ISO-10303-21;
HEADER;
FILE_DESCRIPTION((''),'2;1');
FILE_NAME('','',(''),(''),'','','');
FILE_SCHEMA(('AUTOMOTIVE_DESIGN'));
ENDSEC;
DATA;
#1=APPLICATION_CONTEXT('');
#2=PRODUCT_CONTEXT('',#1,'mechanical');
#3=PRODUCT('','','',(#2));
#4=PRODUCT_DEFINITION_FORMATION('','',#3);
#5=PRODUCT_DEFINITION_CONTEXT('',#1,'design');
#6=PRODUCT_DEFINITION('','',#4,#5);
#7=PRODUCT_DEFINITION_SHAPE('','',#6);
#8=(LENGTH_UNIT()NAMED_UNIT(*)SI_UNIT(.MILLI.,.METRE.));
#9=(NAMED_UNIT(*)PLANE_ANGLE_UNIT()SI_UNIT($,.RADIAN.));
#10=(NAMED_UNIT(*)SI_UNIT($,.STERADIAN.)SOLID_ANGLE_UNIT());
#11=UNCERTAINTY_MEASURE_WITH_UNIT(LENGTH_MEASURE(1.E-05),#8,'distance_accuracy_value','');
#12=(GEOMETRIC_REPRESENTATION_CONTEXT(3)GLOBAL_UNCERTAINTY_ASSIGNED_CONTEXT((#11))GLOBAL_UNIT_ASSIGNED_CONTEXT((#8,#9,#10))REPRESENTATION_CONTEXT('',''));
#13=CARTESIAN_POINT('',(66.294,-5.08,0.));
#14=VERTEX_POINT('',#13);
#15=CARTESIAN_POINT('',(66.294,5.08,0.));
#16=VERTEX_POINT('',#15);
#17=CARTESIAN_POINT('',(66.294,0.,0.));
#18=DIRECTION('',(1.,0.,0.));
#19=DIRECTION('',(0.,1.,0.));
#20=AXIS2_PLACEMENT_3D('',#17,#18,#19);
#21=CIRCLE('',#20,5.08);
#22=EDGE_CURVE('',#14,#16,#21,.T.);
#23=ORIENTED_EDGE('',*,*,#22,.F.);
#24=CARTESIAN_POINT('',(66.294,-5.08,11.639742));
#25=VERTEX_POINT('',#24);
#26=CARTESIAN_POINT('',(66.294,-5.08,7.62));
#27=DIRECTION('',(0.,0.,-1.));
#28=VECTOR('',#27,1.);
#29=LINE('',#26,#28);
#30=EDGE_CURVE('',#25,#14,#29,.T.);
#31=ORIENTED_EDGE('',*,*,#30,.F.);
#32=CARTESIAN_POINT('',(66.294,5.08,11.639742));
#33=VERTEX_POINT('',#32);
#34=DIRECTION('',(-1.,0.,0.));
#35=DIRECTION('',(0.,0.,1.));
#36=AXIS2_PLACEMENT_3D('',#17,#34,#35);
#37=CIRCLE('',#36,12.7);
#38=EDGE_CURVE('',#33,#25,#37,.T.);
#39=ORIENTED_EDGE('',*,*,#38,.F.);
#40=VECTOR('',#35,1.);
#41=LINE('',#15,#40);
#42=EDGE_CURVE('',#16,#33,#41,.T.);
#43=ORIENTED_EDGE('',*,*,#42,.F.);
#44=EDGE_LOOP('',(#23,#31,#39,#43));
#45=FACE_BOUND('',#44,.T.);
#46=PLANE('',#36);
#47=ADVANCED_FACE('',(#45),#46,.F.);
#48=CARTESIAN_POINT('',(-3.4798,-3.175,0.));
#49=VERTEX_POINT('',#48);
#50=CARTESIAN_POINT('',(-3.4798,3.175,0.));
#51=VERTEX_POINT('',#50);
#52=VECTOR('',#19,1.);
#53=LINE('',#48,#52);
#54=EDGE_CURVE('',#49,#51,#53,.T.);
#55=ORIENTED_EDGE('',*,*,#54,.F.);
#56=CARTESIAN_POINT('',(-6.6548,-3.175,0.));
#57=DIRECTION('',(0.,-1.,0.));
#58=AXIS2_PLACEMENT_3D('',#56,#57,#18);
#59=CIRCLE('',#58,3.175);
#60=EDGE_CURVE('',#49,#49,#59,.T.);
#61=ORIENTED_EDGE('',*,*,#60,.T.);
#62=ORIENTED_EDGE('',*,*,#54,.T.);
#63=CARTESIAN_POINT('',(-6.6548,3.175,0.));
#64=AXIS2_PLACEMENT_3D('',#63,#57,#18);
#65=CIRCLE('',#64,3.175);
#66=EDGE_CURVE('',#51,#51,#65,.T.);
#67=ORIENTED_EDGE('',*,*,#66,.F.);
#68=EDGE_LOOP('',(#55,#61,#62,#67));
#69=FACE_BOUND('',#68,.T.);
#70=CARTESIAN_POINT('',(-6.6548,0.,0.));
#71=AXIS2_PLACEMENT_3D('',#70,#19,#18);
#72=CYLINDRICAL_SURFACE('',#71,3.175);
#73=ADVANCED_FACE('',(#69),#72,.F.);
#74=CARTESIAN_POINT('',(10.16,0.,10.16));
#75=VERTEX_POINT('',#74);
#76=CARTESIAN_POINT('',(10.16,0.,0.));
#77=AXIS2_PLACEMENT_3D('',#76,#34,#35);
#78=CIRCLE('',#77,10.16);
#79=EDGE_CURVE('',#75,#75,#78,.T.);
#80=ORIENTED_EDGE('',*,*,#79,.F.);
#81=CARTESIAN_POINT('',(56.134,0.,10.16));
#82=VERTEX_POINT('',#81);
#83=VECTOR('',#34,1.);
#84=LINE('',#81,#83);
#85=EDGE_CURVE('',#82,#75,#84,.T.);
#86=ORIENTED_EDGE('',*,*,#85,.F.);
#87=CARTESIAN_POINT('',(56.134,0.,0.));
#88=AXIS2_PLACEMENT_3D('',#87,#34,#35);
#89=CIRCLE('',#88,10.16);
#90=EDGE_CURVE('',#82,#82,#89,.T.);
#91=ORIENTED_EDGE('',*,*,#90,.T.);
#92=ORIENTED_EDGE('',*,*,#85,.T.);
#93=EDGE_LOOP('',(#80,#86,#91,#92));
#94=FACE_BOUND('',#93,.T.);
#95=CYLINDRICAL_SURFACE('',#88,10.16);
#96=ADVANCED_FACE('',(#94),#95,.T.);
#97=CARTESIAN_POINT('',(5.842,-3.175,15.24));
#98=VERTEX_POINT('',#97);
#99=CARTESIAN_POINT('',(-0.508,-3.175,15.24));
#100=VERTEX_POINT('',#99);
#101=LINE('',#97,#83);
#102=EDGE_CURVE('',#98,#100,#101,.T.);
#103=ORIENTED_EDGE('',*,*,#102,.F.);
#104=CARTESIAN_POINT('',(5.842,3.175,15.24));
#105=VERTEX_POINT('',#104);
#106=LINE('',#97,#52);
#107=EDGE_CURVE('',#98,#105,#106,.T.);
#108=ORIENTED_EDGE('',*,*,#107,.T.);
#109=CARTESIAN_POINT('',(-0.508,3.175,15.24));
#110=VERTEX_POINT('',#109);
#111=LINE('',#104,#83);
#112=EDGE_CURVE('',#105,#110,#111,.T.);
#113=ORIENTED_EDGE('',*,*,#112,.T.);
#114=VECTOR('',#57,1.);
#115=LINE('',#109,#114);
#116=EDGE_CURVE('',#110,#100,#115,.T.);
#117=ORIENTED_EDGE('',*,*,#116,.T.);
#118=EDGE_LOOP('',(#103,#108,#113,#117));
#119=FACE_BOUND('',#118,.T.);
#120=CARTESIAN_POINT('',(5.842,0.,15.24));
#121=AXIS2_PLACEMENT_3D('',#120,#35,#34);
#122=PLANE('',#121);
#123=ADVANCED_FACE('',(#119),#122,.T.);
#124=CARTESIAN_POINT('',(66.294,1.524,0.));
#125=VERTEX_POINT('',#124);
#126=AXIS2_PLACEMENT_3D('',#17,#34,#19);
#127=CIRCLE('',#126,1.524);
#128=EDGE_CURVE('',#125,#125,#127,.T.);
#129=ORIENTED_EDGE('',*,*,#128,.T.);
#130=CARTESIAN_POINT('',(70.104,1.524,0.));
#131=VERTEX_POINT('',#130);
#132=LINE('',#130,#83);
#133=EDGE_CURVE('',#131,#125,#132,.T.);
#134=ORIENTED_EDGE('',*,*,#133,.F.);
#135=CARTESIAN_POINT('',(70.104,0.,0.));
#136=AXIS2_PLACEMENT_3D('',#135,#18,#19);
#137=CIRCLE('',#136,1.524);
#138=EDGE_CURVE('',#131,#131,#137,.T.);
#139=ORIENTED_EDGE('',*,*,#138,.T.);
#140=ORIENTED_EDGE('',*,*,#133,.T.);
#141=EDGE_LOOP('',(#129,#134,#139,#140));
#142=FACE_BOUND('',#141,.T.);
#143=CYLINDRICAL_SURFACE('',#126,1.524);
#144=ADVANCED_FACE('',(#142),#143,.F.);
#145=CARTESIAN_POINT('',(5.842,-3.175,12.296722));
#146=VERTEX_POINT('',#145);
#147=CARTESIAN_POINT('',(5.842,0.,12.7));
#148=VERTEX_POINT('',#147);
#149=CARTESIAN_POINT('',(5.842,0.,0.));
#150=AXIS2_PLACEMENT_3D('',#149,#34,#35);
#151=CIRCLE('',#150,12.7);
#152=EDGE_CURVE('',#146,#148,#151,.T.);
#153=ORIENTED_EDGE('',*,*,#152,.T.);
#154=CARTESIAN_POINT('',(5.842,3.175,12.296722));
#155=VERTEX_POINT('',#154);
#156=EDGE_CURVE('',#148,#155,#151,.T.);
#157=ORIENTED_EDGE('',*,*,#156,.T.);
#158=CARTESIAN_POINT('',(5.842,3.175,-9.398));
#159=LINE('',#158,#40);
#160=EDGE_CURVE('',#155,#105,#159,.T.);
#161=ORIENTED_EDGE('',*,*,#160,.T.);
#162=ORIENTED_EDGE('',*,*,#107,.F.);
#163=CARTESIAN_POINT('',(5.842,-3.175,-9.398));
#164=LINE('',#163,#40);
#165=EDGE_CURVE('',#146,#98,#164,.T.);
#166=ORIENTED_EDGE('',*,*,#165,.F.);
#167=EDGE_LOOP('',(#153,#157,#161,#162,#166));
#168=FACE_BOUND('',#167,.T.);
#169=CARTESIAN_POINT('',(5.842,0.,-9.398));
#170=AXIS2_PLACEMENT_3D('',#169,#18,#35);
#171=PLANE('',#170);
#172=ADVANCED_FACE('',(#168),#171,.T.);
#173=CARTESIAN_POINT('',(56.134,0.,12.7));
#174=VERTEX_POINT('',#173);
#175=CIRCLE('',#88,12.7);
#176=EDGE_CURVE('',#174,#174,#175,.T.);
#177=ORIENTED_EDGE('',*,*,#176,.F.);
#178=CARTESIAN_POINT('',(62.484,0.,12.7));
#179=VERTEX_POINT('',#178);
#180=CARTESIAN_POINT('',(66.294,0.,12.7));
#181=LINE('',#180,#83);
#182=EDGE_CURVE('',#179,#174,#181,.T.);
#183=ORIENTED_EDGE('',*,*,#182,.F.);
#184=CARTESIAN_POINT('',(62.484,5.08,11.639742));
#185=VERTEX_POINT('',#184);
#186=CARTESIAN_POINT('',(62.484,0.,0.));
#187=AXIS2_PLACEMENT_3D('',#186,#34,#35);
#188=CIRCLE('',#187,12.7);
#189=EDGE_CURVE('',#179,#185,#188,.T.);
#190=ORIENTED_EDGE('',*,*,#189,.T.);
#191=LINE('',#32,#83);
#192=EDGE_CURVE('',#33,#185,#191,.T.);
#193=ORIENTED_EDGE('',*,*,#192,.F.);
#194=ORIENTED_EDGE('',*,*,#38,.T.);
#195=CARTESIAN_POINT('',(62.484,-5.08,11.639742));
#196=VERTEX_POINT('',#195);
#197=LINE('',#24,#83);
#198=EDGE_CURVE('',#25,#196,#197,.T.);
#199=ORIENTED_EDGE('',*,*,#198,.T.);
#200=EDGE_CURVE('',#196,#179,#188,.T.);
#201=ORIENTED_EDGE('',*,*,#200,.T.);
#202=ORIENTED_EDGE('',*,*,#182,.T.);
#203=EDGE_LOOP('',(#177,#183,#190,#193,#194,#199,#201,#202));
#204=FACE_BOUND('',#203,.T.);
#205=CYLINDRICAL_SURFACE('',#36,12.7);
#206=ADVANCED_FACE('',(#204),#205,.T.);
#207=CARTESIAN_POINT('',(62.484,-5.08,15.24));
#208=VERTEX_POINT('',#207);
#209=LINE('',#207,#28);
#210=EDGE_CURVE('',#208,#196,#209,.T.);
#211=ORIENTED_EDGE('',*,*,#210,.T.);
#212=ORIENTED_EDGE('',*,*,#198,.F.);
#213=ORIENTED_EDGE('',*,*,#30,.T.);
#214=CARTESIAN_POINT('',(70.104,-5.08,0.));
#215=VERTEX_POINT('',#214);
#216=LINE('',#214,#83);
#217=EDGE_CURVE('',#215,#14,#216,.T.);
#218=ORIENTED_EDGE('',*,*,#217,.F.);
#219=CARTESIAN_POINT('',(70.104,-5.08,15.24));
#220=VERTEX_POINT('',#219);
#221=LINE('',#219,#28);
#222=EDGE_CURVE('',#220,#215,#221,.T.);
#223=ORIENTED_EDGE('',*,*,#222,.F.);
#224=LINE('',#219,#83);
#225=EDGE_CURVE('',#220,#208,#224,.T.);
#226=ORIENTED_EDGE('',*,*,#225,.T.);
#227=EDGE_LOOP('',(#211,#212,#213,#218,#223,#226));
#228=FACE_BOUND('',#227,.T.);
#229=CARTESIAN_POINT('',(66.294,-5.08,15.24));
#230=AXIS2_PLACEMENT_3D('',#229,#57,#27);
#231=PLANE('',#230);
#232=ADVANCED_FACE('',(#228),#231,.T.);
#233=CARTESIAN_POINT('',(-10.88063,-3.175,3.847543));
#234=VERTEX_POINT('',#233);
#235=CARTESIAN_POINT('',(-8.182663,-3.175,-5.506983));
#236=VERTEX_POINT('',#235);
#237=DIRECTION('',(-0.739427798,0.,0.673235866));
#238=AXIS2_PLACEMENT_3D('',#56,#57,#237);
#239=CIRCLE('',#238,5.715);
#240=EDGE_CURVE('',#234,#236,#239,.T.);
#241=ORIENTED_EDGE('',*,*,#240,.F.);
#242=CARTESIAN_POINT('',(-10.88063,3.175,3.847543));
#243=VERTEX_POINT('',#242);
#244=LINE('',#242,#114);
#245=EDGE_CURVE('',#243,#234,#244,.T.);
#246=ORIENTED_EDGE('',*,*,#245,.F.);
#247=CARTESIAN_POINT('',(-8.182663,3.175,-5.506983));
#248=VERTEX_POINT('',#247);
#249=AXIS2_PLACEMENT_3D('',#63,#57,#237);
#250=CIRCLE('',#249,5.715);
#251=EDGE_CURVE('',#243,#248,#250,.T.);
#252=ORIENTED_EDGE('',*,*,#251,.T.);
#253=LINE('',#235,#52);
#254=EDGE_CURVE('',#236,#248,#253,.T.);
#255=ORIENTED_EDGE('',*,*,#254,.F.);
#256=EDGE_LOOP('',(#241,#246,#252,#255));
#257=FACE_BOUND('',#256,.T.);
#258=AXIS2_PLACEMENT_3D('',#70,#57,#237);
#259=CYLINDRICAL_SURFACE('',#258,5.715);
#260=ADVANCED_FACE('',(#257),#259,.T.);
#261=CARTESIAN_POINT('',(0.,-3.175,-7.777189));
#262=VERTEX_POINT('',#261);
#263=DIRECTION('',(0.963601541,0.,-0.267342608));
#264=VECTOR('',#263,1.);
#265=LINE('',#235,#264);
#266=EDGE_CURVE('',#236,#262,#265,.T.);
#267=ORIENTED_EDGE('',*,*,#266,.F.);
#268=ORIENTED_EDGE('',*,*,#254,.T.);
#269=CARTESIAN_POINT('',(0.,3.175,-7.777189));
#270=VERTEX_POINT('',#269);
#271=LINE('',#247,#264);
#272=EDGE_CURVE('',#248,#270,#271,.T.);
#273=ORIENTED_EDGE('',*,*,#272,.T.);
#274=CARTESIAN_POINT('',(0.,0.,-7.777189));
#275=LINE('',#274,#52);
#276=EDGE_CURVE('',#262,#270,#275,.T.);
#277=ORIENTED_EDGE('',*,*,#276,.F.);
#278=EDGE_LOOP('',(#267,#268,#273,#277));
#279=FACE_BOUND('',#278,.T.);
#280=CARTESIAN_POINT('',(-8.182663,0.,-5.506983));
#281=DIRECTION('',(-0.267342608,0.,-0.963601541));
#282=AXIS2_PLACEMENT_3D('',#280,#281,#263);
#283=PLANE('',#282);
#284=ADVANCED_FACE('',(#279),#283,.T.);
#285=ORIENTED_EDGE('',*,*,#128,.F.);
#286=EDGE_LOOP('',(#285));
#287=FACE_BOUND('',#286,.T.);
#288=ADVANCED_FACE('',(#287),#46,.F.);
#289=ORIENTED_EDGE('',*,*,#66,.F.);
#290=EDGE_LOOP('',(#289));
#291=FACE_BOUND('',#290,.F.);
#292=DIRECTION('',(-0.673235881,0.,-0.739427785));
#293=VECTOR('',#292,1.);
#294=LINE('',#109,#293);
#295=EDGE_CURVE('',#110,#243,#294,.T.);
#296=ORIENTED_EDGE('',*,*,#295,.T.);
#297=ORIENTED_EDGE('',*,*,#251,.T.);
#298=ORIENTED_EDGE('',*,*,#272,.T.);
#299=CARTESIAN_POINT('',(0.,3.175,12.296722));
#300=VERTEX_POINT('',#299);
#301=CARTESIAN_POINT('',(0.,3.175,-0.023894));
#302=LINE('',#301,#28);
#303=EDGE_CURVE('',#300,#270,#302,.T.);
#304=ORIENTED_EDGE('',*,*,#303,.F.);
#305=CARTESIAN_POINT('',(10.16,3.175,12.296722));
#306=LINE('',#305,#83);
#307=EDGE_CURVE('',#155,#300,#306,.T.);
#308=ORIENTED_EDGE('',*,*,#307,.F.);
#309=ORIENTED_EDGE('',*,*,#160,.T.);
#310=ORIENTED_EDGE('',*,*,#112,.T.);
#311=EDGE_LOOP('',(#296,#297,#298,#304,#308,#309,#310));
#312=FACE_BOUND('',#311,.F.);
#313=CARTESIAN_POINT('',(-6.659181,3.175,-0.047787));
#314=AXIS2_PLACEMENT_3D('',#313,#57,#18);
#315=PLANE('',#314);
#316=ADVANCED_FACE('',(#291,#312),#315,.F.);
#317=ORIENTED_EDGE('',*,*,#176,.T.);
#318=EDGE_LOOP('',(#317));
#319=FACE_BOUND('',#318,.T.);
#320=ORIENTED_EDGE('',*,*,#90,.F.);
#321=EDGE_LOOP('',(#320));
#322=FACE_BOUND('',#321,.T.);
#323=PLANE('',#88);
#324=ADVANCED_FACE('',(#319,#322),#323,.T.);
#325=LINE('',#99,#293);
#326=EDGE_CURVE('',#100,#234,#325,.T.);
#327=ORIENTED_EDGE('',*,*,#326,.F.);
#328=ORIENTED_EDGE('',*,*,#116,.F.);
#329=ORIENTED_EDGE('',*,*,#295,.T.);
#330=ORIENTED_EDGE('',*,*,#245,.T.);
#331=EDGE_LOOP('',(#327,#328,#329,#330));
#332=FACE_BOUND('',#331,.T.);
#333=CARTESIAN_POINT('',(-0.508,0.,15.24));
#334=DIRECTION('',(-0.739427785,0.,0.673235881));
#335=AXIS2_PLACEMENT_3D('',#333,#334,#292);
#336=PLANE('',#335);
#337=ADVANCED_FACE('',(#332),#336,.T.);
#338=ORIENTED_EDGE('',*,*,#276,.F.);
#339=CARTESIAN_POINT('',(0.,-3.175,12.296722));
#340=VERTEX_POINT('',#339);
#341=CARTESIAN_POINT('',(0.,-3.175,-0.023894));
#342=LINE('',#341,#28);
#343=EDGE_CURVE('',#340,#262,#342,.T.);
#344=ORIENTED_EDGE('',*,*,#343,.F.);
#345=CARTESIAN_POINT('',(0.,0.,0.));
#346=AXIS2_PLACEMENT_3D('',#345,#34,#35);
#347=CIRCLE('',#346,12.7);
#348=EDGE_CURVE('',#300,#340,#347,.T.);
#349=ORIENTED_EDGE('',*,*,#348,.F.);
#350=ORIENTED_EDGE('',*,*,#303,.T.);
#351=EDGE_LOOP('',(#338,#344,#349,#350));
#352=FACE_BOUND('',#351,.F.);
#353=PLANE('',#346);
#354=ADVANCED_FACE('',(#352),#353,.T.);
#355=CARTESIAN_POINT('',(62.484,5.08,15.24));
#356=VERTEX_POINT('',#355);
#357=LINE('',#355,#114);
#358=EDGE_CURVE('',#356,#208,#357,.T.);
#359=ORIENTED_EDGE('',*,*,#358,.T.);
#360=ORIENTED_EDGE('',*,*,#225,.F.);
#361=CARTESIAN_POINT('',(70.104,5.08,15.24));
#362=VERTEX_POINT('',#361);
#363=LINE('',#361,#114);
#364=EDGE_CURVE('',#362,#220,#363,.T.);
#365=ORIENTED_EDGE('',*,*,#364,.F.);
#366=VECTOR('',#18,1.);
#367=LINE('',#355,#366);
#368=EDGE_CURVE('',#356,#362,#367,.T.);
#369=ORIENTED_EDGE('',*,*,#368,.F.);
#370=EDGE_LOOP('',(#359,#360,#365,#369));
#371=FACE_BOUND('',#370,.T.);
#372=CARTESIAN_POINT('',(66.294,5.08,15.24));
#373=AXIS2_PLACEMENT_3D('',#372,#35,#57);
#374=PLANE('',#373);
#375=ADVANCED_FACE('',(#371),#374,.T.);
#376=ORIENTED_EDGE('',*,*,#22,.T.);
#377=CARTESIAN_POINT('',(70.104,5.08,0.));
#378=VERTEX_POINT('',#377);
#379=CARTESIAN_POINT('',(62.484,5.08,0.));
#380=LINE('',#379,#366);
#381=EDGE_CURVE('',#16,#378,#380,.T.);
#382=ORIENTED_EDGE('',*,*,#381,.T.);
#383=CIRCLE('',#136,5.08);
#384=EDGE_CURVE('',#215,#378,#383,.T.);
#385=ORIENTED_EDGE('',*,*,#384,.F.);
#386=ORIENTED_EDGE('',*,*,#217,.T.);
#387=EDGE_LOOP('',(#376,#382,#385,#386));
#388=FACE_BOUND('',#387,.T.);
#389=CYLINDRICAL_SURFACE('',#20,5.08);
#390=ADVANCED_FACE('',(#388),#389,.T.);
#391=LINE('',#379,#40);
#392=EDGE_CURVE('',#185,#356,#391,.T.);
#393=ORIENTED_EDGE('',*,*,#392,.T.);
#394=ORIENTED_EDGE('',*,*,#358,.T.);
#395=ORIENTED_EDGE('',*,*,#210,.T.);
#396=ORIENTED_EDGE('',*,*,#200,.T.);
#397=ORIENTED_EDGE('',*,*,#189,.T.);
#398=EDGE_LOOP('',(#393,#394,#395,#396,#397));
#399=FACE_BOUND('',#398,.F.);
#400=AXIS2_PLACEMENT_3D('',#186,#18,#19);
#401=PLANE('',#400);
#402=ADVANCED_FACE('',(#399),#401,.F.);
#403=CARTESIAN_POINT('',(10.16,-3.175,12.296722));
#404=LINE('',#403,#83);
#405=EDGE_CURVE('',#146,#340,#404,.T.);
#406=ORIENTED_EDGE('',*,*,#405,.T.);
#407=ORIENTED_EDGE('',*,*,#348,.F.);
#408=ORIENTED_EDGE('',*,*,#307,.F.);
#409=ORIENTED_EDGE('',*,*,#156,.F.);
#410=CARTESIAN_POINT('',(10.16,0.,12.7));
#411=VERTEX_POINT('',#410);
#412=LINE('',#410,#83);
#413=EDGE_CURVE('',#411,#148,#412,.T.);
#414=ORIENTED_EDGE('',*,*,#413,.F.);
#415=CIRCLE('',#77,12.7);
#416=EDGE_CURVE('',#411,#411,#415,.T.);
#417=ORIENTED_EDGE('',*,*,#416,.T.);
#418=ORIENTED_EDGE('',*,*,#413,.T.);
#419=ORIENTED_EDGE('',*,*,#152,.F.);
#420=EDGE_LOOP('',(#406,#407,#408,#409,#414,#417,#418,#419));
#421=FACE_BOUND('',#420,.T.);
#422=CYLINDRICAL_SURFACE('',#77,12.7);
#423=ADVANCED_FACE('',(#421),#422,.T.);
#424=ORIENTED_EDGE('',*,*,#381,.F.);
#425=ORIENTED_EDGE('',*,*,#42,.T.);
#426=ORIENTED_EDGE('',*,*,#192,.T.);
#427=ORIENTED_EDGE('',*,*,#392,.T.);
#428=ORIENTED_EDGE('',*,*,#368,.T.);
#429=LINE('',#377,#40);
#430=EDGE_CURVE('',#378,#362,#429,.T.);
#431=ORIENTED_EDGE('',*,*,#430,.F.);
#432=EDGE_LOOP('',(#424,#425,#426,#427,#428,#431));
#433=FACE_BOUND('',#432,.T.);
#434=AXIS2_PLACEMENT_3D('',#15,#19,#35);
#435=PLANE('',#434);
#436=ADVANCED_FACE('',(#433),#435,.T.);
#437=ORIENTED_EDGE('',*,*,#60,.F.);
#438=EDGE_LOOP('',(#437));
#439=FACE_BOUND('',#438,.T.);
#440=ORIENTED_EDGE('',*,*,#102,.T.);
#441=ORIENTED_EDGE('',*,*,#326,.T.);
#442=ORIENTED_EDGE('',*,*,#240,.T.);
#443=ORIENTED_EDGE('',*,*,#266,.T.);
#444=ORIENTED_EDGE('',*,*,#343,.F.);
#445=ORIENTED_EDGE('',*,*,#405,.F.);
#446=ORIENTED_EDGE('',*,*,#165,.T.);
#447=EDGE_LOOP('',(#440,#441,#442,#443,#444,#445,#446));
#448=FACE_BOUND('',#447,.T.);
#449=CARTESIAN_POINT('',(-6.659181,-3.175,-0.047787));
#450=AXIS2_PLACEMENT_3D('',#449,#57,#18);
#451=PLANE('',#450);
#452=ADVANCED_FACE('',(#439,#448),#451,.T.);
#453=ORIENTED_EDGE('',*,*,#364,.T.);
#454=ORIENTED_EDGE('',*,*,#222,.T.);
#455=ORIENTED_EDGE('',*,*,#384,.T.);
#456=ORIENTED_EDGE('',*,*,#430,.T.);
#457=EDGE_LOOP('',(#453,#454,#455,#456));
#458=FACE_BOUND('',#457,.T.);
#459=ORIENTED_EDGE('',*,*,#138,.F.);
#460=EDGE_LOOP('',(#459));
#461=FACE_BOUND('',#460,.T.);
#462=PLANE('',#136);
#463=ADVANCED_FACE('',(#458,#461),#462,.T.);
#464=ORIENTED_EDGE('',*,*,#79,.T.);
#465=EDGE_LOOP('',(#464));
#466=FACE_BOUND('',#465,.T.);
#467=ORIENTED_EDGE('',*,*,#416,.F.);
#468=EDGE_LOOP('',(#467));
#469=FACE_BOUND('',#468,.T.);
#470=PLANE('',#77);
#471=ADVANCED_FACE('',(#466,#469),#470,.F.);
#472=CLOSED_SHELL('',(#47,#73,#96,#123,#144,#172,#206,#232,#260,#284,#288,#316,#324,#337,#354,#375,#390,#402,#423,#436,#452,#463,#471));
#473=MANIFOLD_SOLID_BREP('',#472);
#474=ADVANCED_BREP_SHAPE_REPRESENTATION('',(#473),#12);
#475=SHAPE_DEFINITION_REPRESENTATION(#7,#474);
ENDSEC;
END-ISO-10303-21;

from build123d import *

# Parameters (mm, degrees)
F0_W     = 5.842
F0_H     = 12.7
F0_R     = 3.175
F2_DEPTH = 3.175
F3_R     = 1.524
F4_DEPTH = 3.81


with BuildPart() as f1:
    # F0 (on Front) → F1 (revolve)
    with BuildSketch(Plane.XZ):
        Polygon((5.842, 12.7), (5.842, 0), (66.294, 0), (66.294, 12.7), (56.134, 12.7), (56.134, 10.16), (10.16, 10.16), (10.16, 12.7), align=None)
        with Locations((2.921, 6.35)):
            Rectangle(F0_W, F0_H)
    revolve(axis=Axis((33.147, 0, 0), (-1, 0, 0)))

    # F0 (on Front) → F2 (join, symmetric)
    with BuildSketch(Plane.XZ):
        with BuildLine():
            ThreePointArc((-8.182663, -5.506983), (-3.195791, -4.549339), (-0.9398, 0))
            ThreePointArc((-0.9398, 0), (-4.591961, 5.329721), (-10.88063, 3.847543))
            ThreePointArc((-10.88063, 3.847543), (-12.145978, -1.583727), (-8.182663, -5.506983))
        make_face()
        with Locations((-6.6548, 0)):
            Circle(F0_R, mode=Mode.SUBTRACT)
        with Locations((2.921, 6.35)):
            Rectangle(F0_W, F0_H)
        with BuildLine():
            Line((-0.9398, 0), (0, 0))
            Line((0, 0), (0, 12.7))
            Line((0, 12.7), (5.842, 12.7))
            Line((5.842, 12.7), (5.842, 15.24))
            Line((5.842, 15.24), (-0.508, 15.24))
            Line((-0.508, 15.24), (-10.88063, 3.847543))
            ThreePointArc((-10.88063, 3.847543), (-4.591961, 5.329721), (-0.9398, 0))
        make_face()
        with BuildLine():
            Line((5.842, 0), (0, 0))
            Line((0, 0), (-0.9398, 0))
            ThreePointArc((-0.9398, 0), (-3.195791, -4.549339), (-8.182663, -5.506983))
            Line((-8.182663, -5.506983), (5.842, -9.398))
            Line((5.842, -9.398), (5.842, 0))
        make_face()
    extrude(amount=F2_DEPTH, both=True)

    # F3 (on face) → F4 (join, symmetric)
    with BuildSketch(Plane.YZ.offset(66.294)):
        with BuildLine():
            ThreePointArc((-5.08, 0), (0, -5.08), (5.08, 0))
            ThreePointArc((5.08, 0), (0, 5.08), (-5.08, 0))
        make_face()
        Circle(F3_R, mode=Mode.SUBTRACT)
        with BuildLine():
            ThreePointArc((-5.08, 0), (0, 5.08), (5.08, 0))
            Line((5.08, 0), (5.08, 15.24))
            Line((5.08, 15.24), (-5.08, 15.24))
            Line((-5.08, 15.24), (-5.08, 0))
        make_face()
    extrude(amount=F4_DEPTH, both=True)


solid = f1.part
